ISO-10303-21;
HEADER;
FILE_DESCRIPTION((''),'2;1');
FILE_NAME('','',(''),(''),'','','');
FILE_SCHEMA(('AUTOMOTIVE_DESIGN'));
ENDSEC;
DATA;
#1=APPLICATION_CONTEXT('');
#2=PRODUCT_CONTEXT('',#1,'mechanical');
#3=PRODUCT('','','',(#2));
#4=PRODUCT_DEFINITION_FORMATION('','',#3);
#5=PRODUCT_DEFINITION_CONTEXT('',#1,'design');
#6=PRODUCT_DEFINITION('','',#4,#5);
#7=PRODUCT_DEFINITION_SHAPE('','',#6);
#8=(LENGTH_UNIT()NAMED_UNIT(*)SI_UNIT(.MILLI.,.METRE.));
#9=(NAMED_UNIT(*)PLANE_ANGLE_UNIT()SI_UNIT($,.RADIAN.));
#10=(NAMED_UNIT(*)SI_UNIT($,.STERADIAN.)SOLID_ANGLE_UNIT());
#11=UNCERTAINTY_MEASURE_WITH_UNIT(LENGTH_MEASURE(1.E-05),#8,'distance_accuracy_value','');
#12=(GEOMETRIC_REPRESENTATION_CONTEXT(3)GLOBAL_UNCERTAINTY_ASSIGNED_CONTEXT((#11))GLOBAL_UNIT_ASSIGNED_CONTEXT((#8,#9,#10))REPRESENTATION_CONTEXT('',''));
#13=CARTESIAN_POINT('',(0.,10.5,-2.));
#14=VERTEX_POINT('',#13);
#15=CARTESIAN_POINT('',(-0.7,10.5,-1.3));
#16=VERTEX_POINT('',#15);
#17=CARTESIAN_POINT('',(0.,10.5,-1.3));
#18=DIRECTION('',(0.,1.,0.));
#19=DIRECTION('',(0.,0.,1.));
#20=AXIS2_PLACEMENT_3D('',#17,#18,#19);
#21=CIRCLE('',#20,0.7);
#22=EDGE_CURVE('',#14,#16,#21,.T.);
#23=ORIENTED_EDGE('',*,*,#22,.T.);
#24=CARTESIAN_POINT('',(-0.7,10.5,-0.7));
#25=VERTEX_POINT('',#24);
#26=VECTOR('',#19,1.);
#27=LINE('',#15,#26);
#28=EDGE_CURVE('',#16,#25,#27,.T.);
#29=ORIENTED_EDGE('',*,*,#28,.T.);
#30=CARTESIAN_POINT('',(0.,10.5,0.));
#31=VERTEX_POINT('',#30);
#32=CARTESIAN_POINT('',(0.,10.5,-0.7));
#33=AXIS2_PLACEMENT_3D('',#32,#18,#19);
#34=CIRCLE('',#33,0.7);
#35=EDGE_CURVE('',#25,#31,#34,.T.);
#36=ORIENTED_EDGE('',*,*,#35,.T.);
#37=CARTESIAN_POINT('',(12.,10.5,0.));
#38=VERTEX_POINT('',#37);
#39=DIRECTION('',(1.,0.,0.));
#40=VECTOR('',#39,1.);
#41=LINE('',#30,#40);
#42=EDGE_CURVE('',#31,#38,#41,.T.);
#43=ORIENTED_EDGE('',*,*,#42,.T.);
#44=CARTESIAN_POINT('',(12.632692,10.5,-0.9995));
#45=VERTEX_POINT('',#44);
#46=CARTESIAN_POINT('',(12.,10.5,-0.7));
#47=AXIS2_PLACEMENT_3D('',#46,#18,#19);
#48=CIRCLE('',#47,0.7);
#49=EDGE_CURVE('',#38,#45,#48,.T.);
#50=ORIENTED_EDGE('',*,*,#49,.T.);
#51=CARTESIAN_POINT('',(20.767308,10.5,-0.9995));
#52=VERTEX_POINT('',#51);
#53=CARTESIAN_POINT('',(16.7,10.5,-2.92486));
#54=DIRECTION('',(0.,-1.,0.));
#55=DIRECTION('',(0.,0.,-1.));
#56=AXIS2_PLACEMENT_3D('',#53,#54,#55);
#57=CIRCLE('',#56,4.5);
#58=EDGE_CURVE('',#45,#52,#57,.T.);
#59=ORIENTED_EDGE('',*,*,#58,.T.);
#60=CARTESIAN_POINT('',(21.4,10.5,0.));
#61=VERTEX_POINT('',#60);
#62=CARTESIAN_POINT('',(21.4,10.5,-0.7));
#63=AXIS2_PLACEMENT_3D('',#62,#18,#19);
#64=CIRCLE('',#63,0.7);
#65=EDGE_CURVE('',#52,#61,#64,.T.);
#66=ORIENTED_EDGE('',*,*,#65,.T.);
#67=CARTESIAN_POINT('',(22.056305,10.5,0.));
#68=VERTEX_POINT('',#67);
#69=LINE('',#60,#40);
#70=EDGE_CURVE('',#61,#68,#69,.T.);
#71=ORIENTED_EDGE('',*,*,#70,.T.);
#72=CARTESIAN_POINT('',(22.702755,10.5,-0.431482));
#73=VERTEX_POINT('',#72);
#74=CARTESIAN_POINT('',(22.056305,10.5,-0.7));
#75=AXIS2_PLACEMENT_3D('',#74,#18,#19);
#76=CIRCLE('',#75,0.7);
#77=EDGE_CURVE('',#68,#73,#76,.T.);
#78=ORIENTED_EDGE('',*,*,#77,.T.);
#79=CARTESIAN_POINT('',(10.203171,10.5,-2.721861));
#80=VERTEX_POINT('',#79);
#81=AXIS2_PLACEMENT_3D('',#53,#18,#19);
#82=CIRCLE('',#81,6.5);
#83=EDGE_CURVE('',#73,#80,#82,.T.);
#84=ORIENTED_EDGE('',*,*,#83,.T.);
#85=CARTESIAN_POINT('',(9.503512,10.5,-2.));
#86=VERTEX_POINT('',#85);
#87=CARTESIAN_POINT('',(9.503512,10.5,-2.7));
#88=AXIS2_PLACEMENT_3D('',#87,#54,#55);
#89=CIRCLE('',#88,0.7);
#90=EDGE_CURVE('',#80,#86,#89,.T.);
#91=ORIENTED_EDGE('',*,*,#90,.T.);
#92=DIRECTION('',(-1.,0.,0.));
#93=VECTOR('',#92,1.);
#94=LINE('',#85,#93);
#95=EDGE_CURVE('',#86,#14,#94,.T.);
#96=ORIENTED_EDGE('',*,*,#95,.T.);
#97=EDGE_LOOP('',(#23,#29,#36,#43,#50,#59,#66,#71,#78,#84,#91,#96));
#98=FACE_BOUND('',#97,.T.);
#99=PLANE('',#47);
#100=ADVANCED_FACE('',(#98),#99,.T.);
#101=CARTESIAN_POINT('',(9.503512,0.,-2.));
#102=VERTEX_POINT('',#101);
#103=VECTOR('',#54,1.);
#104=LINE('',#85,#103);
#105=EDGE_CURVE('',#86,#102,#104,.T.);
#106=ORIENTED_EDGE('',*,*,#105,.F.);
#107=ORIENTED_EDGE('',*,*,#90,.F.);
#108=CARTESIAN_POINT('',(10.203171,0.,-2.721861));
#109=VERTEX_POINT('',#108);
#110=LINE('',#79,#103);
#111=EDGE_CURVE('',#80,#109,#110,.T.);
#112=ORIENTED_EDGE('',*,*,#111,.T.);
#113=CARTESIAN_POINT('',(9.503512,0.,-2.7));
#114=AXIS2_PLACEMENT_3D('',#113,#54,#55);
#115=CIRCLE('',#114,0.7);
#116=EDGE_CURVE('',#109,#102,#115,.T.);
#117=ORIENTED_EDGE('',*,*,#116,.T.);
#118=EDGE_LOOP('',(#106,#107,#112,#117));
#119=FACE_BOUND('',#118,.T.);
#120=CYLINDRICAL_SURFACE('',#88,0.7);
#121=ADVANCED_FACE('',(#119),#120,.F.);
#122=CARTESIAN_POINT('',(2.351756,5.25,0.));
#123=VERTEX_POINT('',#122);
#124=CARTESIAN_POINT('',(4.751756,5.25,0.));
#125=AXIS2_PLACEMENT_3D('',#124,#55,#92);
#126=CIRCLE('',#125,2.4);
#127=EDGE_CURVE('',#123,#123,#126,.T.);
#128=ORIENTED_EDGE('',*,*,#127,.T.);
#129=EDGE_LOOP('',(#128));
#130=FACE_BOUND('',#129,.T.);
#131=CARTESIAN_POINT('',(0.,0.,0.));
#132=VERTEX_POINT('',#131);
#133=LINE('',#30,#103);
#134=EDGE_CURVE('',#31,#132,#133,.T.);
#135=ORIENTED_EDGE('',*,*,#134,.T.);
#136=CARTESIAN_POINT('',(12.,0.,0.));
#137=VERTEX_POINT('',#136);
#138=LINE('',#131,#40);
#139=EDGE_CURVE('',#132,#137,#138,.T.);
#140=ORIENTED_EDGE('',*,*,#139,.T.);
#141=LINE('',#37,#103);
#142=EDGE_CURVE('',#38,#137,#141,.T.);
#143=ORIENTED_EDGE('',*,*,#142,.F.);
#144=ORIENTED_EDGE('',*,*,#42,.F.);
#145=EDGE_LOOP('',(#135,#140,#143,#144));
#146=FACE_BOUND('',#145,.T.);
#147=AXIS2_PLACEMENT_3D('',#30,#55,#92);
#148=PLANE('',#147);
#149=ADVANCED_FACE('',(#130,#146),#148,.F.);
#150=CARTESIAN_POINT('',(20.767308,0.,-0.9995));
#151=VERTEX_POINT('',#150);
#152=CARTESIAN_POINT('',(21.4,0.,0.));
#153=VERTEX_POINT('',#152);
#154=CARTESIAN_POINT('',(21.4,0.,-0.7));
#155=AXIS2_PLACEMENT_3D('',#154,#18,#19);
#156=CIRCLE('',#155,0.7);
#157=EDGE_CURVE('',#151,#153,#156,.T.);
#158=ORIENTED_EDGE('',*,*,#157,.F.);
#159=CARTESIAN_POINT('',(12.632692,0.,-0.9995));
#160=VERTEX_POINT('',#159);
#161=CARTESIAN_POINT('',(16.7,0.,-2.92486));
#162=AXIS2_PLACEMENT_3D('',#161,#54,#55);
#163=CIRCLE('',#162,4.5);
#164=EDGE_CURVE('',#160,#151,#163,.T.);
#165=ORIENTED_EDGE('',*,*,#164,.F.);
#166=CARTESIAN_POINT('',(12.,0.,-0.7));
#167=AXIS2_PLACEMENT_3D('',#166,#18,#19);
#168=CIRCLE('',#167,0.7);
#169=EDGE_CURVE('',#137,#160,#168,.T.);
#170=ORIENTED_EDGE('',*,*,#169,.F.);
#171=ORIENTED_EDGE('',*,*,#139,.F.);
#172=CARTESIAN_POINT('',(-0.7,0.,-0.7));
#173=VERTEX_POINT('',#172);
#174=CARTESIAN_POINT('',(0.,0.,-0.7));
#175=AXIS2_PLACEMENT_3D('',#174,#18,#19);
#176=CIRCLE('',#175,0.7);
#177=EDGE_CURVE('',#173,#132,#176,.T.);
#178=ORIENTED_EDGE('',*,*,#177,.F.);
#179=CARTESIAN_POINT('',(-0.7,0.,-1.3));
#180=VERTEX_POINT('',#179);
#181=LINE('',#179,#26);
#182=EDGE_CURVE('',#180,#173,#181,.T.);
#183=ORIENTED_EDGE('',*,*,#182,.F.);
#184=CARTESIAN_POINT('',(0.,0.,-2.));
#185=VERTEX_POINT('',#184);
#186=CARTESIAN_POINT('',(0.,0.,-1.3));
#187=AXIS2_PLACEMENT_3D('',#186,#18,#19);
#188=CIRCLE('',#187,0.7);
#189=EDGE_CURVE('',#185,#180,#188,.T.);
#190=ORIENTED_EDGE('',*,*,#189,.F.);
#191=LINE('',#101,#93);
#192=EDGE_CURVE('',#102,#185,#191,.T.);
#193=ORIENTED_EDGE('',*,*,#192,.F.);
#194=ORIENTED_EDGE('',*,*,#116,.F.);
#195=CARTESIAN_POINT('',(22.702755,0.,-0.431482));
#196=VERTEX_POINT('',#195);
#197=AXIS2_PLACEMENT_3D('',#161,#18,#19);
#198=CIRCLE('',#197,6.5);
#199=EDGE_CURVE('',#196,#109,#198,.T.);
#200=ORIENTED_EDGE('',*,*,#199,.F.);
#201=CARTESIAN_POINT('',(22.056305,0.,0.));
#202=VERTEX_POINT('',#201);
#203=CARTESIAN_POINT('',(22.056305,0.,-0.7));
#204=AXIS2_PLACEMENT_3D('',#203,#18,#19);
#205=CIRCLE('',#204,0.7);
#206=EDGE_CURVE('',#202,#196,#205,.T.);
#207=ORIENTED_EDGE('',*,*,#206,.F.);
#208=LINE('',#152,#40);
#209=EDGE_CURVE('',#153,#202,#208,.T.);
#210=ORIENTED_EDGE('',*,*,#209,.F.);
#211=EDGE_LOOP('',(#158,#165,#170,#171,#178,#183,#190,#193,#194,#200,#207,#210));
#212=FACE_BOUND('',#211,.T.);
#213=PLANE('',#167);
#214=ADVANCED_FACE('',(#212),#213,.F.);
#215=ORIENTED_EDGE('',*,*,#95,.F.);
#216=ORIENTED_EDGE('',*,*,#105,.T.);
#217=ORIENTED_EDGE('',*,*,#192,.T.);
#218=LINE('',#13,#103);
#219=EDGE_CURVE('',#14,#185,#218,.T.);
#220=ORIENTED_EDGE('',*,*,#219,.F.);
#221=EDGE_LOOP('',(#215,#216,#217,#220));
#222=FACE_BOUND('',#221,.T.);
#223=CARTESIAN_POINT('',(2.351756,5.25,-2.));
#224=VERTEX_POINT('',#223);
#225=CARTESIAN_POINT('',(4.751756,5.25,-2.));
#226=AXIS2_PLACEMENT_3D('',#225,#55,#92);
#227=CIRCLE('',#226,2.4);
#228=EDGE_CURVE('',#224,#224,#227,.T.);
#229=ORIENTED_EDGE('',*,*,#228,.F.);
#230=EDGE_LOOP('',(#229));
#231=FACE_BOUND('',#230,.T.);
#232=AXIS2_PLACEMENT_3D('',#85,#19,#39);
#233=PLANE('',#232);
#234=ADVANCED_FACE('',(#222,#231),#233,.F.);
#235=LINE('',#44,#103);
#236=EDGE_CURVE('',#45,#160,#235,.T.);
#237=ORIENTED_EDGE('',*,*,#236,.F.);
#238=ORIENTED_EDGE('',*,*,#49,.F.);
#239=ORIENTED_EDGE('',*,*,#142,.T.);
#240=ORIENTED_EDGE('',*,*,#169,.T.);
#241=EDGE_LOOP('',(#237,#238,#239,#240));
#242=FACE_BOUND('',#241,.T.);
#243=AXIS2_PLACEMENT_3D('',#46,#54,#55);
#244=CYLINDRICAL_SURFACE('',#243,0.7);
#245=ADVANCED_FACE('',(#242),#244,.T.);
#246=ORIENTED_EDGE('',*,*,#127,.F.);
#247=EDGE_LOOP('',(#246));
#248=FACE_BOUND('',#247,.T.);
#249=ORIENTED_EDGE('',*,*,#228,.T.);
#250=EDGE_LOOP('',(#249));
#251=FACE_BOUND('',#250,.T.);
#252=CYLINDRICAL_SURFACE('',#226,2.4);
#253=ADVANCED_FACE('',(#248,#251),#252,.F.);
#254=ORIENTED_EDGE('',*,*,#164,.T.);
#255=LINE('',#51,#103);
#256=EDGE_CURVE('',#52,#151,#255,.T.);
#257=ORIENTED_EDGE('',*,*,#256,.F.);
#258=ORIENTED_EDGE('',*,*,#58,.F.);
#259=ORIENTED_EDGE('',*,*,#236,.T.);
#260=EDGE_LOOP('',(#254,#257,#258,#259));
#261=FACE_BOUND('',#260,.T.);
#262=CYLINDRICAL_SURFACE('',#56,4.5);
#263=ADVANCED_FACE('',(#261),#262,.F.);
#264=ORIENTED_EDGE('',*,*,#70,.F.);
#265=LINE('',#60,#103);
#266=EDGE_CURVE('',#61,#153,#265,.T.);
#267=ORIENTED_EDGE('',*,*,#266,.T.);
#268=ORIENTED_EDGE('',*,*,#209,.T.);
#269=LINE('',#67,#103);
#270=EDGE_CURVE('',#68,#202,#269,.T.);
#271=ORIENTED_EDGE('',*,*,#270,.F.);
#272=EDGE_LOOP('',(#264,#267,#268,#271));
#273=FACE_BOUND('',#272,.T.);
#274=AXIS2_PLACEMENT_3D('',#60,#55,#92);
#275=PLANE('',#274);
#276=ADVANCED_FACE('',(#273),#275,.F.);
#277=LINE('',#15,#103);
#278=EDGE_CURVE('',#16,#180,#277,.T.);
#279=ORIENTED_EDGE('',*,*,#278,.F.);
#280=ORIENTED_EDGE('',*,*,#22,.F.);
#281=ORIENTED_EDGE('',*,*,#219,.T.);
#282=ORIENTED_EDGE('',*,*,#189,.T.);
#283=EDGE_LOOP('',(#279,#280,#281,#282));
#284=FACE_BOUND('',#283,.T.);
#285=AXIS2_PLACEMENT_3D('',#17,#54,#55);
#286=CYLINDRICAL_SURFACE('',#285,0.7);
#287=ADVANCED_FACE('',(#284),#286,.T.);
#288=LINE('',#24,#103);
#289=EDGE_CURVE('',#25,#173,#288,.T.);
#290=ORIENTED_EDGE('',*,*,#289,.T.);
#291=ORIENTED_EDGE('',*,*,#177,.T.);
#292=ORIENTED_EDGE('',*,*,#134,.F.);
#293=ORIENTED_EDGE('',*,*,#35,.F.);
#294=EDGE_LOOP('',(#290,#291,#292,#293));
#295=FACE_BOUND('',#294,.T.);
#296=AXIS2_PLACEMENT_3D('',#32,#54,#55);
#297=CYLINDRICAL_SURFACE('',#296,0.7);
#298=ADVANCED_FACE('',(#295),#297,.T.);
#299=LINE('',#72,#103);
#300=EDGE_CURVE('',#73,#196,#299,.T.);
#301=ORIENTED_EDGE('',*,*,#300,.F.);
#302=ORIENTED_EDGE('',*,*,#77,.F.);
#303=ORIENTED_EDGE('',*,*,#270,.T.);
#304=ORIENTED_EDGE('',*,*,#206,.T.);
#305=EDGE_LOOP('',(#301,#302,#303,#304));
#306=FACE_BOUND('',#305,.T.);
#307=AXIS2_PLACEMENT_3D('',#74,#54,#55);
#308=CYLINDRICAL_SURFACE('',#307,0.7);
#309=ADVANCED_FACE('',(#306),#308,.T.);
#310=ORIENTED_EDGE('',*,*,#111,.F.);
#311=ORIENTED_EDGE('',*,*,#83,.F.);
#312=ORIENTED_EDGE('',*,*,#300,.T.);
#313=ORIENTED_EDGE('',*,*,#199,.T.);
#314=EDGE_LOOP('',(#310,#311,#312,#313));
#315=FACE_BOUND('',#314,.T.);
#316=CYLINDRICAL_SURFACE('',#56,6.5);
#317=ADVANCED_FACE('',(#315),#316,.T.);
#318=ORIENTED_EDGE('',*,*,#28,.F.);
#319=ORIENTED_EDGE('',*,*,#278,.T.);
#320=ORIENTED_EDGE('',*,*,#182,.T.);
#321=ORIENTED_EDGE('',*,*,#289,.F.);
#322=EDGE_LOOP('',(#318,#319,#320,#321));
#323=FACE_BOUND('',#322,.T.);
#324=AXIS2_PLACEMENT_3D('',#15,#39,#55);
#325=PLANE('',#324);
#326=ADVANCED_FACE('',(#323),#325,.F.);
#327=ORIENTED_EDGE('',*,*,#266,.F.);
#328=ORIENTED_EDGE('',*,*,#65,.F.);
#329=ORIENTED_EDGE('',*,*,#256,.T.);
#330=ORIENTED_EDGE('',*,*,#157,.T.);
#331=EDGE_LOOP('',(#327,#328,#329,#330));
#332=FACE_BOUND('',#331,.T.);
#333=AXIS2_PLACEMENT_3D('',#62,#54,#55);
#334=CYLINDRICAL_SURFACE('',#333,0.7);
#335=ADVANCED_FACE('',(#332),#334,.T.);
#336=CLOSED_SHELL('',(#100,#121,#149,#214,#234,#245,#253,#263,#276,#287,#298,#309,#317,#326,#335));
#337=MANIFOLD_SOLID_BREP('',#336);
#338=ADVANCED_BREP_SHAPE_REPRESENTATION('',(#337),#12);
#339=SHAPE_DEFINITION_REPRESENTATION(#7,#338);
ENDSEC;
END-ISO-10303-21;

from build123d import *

# Parameters (mm, degrees)
BOSS_EXTRU_1_DEPTH = 10.5
D_GAGEMENT_M41_D   = 4.8


with BuildPart() as part:
    # Esquisse1 → Boss.-Extru.1 (new body)
    with BuildSketch(Plane(origin=(0, 0, 0), x_dir=(1, 0, 0), z_dir=(0, 1, 0))):
        with BuildLine():
            Line((0, 0), (12, 0))
            ThreePointArc((12, 0), (12.591460154, 0.325600632), (12.632692308, 0.999500324))
            ThreePointArc((12.632692308, 0.999500324), (16.7, 7.424859546), (20.767307692, 0.999500324))
            ThreePointArc((20.767307692, 0.999500324), (20.808539846, 0.325600632), (21.4, 0))
            Line((21.4, 0), (22.056304696, 0))
            ThreePointArc((22.056304696, 0), (22.444916153, 0.117779135), (22.702755263, 0.431482469))
            ThreePointArc((22.702755263, 0.431482469), (17.871531541, 9.318412068), (10.20317064, 2.721861345))
            ThreePointArc((10.20317064, 2.721861345), (10.006156571, 2.212815713), (9.503512094, 2))
            Line((9.503512094, 2), (0, 2))
            ThreePointArc((0, 2), (-0.494974747, 1.794974747), (-0.7, 1.3))
            Line((-0.7, 1.3), (-0.7, 0.7))
            ThreePointArc((-0.7, 0.7), (-0.494974747, 0.205025253), (0, 0))
        make_face()
    extrude(amount=BOSS_EXTRU_1_DEPTH)

    # Dégagement M41 (through all)
    with Locations(Plane(origin=(0, 0, -2), x_dir=(-1, 0, 0), z_dir=(0, 0, -1))):
        with Locations((-4.751756047, 5.25)):
            Hole(D_GAGEMENT_M41_D / 2)


solid = part.part
